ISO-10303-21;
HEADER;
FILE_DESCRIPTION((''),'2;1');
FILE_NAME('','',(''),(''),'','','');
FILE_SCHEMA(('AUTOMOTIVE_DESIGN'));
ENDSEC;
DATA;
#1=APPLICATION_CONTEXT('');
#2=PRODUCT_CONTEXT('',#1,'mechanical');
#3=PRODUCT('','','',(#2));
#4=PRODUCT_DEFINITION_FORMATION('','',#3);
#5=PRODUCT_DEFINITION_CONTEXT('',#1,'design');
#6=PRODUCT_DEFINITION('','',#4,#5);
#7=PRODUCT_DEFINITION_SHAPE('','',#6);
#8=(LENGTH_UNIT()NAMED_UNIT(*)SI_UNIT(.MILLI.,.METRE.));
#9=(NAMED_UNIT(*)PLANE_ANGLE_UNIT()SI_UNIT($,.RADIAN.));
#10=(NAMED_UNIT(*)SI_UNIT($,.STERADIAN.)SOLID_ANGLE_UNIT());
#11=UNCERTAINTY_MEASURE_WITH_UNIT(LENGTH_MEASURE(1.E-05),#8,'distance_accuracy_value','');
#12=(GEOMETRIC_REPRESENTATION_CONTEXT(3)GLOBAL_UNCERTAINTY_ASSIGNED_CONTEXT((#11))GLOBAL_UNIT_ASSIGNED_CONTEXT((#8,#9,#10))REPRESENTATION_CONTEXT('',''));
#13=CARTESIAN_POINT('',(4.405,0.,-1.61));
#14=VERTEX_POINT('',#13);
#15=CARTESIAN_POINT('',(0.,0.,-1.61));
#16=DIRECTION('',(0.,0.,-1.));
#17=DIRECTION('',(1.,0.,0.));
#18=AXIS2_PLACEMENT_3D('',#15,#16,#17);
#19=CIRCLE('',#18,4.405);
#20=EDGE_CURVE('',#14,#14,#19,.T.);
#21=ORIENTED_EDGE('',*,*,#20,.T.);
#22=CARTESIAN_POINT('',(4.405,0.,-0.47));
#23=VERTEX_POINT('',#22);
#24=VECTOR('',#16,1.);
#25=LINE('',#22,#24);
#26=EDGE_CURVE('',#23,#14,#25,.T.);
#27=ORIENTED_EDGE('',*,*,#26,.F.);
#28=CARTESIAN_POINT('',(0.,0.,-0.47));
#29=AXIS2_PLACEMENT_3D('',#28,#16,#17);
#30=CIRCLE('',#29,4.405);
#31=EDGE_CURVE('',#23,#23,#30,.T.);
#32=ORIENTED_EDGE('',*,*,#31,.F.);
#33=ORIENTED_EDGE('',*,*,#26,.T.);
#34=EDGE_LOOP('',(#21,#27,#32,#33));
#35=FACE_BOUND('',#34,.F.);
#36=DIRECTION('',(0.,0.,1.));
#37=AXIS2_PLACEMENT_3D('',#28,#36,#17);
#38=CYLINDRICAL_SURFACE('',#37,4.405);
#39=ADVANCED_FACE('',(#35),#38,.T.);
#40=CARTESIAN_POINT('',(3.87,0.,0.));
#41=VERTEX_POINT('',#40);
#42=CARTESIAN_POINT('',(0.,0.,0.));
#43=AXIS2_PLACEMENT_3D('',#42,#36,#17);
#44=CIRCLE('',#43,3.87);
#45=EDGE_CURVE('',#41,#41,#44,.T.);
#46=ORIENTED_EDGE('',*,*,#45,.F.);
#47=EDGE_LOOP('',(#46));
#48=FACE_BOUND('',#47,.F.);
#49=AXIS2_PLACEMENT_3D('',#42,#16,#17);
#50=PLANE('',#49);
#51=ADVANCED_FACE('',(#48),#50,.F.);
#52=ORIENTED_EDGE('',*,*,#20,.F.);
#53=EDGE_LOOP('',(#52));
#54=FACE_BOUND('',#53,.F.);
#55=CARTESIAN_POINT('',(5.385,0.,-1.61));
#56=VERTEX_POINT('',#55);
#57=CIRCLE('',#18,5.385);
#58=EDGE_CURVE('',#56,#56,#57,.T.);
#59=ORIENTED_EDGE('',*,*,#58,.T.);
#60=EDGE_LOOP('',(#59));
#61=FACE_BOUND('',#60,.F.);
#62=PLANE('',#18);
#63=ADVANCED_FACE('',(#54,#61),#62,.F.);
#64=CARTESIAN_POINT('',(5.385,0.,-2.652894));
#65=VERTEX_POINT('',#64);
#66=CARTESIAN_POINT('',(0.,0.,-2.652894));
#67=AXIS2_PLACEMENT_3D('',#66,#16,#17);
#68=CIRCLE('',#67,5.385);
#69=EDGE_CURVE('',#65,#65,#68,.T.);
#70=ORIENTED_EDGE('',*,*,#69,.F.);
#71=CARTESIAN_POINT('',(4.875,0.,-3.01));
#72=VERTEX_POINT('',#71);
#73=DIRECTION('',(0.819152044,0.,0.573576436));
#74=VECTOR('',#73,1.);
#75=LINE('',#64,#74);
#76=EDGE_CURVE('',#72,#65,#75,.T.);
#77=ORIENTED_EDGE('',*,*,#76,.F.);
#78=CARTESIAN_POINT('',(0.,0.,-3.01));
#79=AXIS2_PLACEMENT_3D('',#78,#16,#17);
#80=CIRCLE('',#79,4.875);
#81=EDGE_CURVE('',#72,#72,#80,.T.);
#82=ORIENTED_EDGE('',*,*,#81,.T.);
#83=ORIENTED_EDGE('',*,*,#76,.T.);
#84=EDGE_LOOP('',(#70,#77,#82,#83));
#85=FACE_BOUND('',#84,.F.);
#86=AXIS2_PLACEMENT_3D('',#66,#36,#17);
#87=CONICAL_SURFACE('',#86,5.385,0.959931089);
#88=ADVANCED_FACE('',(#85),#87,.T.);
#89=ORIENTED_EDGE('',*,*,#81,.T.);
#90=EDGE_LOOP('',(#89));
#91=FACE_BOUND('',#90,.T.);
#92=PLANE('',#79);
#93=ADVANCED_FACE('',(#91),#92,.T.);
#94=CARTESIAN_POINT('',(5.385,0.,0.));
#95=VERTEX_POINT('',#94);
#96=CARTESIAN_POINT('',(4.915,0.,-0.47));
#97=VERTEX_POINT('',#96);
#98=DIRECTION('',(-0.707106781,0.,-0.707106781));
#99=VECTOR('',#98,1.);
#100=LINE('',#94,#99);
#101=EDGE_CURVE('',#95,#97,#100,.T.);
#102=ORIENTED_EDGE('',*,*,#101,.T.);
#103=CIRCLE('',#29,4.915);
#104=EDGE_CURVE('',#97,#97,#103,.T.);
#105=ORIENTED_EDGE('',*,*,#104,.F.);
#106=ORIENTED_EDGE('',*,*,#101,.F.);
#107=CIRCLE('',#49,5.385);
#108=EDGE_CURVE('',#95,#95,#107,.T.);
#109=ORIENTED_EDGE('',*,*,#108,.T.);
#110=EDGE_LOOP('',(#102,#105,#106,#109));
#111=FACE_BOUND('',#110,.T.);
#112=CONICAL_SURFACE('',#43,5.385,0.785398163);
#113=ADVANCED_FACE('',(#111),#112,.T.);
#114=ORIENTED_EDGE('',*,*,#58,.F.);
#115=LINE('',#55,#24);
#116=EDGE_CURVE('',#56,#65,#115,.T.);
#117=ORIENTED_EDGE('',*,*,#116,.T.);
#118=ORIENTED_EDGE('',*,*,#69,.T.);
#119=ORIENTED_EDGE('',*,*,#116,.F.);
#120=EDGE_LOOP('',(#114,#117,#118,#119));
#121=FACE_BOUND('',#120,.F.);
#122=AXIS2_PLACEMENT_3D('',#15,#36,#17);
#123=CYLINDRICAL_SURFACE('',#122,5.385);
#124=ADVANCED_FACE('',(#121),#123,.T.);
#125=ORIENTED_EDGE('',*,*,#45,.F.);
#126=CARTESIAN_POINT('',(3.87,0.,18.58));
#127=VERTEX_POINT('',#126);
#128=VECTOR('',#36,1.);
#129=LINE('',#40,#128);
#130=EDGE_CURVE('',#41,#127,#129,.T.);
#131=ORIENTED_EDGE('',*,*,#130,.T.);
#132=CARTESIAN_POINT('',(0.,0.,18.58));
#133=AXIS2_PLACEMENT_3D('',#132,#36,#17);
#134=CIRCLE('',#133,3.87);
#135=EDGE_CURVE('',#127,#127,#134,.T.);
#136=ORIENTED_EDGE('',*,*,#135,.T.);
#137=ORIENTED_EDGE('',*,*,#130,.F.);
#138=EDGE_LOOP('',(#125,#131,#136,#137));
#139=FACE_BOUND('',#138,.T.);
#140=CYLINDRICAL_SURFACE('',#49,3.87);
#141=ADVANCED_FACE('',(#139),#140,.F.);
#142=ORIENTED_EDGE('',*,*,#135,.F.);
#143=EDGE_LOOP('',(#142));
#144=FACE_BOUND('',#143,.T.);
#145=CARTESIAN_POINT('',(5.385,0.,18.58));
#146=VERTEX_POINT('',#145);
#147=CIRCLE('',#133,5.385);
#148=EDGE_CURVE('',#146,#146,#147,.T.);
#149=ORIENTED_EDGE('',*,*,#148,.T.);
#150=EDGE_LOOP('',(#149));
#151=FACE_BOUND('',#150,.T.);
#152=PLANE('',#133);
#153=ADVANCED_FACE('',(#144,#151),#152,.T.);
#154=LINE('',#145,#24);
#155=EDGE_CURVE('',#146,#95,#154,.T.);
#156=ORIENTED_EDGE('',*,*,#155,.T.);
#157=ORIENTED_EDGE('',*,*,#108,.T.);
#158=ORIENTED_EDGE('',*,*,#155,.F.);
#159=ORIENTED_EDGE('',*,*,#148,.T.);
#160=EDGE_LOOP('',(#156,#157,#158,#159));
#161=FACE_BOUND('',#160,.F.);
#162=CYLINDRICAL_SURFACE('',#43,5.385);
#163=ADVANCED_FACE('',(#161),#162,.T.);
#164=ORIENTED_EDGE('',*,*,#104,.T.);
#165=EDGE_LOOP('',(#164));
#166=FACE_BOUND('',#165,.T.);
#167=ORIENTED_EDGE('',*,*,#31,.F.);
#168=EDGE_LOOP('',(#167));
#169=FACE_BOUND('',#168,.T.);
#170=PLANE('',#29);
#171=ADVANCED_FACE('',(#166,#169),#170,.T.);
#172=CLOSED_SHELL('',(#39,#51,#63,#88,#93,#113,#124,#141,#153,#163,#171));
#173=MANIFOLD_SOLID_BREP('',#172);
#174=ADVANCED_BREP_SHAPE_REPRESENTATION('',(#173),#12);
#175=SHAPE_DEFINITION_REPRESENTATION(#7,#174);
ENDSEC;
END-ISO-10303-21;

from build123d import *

# Parameters (mm, degrees)
F0_R     = 5.385
F0_R_2   = 3.87
F1_DEPTH = 18.58
F2_R     = 5.385
F3_DEPTH = 0.47
F4_SIZE2 = 0.47
F4_SIZE  = 0.47
F5_R     = 4.405
F6_DEPTH = 1.14
F7_R     = 5.385
F8_DEPTH = 1.4
F9_SIZE2 = 0.3571058445
F9_SIZE  = 0.51


with BuildPart() as f1:
    # F0 (on Top) → F1 (new body)
    with BuildSketch(Plane.XY):
        Circle(F0_R)
        Circle(F0_R_2, mode=Mode.SUBTRACT)
    extrude(amount=F1_DEPTH)

    # F2 (on face) → F3 (join)
    with BuildSketch(Plane(origin=(0, 0, 0), x_dir=(1, 0, 0), z_dir=(0, 0, -1))):
        Circle(F2_R)
    extrude(amount=F3_DEPTH)

    # F4
    f4_edges = [f1.edges().sort_by_distance(p)[0] for p in [
        (-5.385, 0, -0.47),
    ]]
    chamfer(f4_edges, length=F4_SIZE, length2=F4_SIZE2)

    # F5 (on face) → F6 (join)
    with BuildSketch(Plane(origin=(0, 0, -0.47), x_dir=(1, 0, 0), z_dir=(0, 0, -1))):
        Circle(F5_R)
    extrude(amount=F6_DEPTH)

    # F7 (on face) → F8 (join)
    with BuildSketch(Plane(origin=(0, 0, -1.61), x_dir=(1, 0, 0), z_dir=(0, 0, -1))):
        Circle(F7_R)
    extrude(amount=F8_DEPTH)

    # F9
    f9_edges = [f1.edges().sort_by_distance(p)[0] for p in [
        (-5.385, 0, -3.01),
    ]]
    f9_side = f1.faces().sort_by_distance((0, 0, -3.01))[0]
    chamfer(f9_edges, length=F9_SIZE, length2=F9_SIZE2, reference=f9_side)


solid = f1.part
